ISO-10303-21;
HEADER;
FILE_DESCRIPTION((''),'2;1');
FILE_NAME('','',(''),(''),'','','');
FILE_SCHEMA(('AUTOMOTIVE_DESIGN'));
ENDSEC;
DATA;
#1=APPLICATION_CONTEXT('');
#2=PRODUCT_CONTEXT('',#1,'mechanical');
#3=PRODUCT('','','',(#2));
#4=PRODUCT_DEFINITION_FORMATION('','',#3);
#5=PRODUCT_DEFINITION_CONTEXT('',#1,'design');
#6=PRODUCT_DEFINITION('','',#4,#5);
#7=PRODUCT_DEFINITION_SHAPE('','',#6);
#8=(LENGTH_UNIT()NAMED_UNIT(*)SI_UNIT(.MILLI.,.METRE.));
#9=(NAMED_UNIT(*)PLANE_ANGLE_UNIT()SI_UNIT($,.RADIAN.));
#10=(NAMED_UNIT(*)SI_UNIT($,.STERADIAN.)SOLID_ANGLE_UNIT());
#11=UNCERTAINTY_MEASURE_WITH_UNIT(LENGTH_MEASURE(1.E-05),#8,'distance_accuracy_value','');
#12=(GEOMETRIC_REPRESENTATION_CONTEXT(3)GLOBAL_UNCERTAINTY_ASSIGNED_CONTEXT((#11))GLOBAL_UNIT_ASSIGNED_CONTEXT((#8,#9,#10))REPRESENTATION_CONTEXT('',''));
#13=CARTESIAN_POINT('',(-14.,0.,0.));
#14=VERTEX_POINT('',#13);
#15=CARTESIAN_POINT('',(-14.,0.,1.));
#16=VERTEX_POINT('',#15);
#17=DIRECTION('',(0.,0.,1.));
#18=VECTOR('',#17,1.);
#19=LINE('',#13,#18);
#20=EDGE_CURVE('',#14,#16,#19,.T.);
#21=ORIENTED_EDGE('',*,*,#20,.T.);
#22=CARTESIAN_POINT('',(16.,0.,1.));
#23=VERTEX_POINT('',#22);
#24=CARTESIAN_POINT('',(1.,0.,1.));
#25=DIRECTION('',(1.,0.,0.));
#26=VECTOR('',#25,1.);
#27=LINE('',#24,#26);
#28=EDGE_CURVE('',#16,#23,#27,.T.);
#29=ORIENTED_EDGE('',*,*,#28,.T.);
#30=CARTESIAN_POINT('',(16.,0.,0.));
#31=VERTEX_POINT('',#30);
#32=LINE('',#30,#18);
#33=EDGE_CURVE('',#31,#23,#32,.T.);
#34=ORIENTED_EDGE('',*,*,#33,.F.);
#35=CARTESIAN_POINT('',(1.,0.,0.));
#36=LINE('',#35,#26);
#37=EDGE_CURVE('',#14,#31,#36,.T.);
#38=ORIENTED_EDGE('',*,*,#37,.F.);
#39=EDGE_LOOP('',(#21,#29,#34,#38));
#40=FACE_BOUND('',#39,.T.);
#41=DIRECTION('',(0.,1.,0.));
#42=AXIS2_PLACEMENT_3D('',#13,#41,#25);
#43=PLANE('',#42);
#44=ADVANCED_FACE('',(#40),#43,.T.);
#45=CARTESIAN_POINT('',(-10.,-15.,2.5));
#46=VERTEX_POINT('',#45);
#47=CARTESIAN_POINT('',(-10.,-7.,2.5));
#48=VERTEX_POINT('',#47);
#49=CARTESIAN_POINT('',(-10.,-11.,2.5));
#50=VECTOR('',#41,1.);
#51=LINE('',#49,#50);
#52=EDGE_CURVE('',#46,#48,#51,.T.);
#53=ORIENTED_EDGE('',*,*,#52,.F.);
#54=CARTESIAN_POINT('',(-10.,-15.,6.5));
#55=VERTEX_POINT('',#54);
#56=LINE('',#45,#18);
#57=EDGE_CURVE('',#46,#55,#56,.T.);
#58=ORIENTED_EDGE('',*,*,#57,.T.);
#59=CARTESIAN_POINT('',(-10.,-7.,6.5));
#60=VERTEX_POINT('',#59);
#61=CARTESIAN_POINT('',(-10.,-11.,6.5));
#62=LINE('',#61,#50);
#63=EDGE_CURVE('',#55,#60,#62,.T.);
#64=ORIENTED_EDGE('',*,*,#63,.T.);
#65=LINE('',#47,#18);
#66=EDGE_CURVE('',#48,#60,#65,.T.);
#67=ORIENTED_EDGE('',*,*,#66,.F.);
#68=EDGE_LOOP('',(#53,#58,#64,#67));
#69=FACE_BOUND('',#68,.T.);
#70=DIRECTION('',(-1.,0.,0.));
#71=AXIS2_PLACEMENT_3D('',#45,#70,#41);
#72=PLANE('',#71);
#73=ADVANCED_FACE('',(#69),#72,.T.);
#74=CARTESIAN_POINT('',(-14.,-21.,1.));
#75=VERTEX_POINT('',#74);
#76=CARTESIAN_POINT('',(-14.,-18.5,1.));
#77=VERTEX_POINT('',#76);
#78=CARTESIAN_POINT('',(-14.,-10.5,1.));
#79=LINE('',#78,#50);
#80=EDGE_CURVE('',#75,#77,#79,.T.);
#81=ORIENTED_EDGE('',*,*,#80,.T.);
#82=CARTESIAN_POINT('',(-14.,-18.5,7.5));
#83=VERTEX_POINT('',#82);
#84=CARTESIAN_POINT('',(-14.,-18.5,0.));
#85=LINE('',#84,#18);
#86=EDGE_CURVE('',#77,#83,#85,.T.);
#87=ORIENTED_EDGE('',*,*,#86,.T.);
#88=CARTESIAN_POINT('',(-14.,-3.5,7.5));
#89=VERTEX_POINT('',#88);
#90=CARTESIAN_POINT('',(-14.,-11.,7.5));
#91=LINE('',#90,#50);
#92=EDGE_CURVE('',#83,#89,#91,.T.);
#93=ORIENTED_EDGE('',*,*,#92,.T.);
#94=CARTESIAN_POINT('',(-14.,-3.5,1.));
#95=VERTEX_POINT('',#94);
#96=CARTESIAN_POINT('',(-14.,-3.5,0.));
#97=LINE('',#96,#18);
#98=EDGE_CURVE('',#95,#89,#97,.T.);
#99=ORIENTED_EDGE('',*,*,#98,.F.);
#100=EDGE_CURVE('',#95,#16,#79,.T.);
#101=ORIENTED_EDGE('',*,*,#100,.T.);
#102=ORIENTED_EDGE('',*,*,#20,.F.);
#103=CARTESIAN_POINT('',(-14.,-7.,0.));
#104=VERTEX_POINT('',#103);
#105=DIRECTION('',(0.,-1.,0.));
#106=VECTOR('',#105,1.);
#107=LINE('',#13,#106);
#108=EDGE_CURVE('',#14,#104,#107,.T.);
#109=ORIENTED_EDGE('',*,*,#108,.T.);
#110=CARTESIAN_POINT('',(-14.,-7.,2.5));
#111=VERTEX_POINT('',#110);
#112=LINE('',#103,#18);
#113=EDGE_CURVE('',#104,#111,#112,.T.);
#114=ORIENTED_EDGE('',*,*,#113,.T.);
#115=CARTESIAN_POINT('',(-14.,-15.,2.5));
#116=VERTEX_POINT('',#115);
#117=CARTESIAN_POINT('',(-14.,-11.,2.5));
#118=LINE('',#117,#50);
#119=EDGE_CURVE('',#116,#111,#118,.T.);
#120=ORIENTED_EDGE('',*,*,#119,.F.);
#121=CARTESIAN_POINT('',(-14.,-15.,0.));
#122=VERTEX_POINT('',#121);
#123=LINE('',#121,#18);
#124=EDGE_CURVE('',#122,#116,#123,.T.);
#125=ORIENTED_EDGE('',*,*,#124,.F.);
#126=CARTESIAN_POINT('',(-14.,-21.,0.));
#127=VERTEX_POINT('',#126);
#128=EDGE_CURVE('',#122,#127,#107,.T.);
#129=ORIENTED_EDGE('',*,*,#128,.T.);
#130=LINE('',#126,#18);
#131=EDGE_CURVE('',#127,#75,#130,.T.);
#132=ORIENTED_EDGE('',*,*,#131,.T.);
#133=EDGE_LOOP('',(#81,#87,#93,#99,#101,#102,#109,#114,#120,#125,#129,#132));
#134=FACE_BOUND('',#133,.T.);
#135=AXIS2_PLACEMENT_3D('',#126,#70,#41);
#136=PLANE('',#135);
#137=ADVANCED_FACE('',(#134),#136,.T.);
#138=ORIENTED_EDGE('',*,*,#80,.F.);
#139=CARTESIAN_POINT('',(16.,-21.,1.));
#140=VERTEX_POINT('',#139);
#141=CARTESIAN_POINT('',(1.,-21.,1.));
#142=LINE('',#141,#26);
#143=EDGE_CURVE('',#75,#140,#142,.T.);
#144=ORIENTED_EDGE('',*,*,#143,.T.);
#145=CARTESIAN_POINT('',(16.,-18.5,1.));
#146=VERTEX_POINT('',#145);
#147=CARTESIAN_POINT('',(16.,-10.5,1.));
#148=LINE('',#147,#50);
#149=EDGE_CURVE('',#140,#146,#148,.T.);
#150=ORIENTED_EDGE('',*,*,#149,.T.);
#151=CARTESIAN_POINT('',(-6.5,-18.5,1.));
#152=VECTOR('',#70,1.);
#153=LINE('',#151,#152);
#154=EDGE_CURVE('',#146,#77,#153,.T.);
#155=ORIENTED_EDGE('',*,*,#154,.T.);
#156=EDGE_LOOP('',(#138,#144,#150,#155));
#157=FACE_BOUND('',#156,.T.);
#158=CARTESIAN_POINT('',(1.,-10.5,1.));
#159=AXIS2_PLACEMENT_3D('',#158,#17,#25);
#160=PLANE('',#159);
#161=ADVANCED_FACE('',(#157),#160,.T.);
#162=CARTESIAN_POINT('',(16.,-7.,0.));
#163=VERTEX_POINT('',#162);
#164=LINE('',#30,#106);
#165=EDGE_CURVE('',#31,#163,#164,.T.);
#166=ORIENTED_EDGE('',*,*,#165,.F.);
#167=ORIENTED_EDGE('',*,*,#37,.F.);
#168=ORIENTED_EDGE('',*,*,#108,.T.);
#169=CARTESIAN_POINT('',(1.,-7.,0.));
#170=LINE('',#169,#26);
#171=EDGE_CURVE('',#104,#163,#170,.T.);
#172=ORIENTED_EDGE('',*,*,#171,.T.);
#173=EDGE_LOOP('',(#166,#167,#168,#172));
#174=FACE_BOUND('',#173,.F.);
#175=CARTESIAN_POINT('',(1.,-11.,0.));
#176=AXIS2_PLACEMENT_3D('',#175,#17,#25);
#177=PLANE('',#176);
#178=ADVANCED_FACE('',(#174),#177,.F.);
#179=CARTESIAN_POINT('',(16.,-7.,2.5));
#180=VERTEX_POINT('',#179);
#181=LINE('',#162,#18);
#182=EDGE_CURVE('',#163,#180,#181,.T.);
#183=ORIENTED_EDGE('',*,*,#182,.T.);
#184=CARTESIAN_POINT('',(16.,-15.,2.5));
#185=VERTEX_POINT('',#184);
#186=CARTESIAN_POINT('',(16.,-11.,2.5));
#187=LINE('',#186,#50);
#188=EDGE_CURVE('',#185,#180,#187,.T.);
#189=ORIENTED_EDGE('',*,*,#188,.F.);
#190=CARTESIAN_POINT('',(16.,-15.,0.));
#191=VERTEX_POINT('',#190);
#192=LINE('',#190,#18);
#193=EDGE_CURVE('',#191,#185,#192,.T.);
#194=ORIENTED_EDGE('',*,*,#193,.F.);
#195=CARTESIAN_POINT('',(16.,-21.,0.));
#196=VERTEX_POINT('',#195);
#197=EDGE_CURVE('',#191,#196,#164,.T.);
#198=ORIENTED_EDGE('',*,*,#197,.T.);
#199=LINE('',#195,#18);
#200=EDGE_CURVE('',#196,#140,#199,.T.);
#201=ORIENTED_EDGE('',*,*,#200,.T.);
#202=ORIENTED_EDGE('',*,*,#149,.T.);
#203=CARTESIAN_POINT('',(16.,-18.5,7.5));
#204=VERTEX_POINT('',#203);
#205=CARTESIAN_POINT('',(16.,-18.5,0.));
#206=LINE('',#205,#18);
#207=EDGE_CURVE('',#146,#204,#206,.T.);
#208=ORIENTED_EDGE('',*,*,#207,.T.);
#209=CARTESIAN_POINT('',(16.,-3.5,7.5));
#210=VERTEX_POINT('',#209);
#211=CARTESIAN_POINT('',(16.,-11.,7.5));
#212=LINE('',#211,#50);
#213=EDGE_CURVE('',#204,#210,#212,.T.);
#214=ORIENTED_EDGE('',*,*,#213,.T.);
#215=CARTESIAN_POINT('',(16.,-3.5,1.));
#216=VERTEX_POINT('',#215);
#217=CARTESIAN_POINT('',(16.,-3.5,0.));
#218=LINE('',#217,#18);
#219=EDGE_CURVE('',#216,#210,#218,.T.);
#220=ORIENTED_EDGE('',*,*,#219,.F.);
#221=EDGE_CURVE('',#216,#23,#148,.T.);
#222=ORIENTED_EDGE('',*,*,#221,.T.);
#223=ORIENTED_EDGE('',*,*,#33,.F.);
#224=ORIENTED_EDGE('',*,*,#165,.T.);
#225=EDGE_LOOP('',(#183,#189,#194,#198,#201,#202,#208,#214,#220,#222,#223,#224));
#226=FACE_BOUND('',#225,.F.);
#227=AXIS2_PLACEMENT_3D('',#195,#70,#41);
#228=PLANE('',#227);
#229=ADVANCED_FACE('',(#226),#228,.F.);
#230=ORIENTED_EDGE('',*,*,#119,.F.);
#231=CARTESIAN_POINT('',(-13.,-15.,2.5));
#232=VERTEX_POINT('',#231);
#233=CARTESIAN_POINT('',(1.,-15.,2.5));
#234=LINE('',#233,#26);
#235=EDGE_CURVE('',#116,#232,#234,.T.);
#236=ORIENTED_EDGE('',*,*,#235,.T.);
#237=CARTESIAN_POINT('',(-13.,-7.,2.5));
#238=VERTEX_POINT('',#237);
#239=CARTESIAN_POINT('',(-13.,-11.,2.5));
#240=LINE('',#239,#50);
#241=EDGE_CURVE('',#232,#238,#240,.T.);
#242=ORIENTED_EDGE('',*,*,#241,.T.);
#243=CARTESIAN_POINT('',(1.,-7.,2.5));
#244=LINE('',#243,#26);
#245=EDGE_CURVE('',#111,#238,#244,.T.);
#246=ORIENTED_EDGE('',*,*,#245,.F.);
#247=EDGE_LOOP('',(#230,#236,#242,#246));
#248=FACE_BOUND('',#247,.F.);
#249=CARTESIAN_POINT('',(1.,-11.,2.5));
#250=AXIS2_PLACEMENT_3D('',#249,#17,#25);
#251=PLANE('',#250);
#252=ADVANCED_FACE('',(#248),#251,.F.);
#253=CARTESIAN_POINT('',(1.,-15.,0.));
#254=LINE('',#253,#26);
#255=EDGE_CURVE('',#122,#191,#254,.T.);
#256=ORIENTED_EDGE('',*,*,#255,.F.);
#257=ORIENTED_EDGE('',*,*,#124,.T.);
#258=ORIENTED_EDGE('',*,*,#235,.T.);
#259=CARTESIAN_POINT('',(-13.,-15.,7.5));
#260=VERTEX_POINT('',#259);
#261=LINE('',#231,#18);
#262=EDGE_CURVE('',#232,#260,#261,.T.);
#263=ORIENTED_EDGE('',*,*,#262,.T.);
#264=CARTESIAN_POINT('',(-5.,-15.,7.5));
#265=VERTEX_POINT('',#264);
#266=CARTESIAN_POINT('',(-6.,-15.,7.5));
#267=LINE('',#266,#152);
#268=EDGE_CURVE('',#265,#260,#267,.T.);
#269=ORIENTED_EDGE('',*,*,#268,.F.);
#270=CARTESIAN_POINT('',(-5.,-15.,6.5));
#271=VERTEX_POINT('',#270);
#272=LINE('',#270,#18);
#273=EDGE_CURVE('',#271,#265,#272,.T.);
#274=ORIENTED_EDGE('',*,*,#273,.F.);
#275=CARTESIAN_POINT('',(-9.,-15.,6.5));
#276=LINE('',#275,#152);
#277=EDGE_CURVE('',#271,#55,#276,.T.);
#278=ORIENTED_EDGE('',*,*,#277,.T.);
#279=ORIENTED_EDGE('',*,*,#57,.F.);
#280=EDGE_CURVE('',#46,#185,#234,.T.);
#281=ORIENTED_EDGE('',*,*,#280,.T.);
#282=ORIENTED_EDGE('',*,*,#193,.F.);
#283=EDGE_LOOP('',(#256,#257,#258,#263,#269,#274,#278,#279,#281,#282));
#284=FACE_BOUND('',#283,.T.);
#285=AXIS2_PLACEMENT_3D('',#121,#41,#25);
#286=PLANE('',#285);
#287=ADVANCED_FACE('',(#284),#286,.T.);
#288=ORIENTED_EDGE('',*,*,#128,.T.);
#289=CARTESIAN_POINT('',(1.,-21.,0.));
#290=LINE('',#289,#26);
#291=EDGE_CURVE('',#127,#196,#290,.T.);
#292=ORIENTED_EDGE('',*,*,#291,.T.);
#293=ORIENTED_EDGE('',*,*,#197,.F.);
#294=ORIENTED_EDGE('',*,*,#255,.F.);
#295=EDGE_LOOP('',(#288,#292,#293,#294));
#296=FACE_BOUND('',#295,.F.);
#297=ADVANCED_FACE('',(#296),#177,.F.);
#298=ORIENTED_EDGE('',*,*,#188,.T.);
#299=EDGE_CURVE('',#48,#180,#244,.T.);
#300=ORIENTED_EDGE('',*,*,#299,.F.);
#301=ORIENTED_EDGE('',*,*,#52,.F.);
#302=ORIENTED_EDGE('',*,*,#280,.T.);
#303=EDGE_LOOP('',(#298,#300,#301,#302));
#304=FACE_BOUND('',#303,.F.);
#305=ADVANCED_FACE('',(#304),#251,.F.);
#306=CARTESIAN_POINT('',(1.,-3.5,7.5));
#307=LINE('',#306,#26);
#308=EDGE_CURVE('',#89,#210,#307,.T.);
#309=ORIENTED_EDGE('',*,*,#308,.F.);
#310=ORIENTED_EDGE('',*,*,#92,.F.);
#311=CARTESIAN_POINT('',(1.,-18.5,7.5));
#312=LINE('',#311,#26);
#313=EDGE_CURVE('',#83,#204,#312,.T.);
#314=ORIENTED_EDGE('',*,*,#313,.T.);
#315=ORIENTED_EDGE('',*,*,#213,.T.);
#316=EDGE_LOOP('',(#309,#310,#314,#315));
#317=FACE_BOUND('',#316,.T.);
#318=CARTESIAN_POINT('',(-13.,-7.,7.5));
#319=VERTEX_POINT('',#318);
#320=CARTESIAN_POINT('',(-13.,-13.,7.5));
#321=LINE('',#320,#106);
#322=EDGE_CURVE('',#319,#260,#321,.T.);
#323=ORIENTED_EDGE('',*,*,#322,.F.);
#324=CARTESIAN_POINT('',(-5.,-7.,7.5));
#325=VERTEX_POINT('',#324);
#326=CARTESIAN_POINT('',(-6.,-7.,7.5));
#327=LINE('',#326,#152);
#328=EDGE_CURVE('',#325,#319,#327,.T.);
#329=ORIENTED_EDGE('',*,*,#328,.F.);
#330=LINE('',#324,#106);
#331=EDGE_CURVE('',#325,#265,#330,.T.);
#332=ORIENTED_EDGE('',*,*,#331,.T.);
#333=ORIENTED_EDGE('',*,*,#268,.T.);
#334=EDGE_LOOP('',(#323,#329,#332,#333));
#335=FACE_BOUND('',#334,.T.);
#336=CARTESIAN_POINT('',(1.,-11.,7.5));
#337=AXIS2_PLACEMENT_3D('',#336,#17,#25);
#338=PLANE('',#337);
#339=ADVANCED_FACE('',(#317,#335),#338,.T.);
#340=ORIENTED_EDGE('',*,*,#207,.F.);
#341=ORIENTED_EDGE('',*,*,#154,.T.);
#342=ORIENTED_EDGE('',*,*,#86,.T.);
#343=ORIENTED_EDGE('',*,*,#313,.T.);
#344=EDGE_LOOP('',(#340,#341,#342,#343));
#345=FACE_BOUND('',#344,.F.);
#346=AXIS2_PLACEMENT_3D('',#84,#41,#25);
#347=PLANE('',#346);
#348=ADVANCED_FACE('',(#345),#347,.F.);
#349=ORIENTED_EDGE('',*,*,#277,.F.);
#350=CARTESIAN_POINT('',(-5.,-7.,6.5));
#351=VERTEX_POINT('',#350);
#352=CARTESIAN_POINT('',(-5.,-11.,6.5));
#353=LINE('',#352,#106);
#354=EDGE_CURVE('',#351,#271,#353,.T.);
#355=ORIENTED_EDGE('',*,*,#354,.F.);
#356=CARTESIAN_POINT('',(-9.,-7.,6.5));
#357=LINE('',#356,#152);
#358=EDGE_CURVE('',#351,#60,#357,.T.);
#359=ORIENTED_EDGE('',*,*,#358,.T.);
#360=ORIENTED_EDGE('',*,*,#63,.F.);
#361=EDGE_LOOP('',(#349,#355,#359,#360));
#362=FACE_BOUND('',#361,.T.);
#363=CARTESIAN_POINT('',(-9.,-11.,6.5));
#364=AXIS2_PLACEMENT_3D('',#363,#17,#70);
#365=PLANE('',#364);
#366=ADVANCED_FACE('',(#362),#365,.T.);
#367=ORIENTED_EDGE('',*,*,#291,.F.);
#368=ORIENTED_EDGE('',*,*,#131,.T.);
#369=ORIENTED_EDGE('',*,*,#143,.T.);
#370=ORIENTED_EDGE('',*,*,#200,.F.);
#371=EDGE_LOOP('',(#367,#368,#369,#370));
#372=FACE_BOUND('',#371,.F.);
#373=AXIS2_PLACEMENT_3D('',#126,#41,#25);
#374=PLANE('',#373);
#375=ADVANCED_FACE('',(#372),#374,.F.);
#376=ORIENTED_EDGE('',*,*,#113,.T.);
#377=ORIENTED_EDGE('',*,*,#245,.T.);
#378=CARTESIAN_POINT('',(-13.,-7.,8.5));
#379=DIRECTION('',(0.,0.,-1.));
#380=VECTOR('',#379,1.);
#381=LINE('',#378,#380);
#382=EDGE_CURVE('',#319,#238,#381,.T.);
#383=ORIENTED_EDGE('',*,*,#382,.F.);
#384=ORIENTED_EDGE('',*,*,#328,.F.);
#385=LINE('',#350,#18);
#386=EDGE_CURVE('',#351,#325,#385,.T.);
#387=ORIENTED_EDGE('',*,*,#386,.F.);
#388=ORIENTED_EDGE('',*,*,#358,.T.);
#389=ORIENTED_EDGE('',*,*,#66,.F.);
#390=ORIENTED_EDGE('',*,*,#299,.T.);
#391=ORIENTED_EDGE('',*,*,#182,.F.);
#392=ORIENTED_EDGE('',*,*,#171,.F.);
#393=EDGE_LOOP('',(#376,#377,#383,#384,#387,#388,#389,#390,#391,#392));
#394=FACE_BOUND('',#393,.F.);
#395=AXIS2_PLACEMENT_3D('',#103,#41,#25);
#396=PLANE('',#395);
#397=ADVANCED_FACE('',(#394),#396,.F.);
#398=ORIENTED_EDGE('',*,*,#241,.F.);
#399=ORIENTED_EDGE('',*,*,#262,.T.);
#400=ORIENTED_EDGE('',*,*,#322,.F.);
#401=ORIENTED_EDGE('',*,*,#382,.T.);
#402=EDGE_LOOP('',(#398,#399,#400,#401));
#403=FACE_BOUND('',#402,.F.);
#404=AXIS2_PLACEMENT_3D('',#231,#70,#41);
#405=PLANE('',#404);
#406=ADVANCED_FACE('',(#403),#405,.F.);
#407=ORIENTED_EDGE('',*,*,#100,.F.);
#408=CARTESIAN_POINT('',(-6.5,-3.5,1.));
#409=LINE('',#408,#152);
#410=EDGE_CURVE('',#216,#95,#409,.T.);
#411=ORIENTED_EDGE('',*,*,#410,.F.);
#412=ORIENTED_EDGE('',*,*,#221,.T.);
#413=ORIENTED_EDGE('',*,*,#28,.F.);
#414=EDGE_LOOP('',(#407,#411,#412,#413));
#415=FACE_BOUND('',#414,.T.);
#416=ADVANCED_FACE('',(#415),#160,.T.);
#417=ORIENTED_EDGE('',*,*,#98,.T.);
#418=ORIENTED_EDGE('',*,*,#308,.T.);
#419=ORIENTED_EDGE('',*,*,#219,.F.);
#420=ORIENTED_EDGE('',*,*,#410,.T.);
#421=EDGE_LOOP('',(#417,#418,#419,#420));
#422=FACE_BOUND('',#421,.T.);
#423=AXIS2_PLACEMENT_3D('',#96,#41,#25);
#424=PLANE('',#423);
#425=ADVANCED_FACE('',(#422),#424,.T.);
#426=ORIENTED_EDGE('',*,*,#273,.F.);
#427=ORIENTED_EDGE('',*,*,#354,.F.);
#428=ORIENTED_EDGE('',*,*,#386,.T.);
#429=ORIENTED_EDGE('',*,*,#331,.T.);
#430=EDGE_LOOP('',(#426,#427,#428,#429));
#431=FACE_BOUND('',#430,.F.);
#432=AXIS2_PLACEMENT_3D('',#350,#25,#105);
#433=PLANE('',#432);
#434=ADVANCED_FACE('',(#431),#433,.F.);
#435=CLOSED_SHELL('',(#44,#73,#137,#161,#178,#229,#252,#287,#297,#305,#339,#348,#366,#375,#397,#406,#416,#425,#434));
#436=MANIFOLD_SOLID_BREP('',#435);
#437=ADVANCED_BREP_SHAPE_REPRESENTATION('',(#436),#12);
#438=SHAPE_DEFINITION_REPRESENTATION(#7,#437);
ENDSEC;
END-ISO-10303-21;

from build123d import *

# Parameters (mm, degrees)
BOX038_W                   = 3
BOX038_H                   = 8
BOX038_DEPTH               = 4
BOX037_W                   = 8
BOX037_H                   = 8
BOX037_DEPTH               = 2
CHAMFER001_SIZE            = 1
CHAMFER001_PLACEMENT_ANGLE = 180
BOX004_W                   = 30
BOX004_H                   = 8
BOX004_DEPTH               = 2.5
BOX003_W                   = 30
BOX003_H                   = 15
BOX003_DEPTH               = 7.5
BOX002_W                   = 30
BOX002_H                   = 21
BOX002_DEPTH               = 1


with BuildPart() as cubo038:
    # Box038 → Box038 (new body)
    with BuildSketch(Plane(origin=(-13, -15, 2.5), x_dir=(1, 0, 0), z_dir=(0, 0, 1))):
        with Locations((1.5, 4)):
            Rectangle(BOX038_W, BOX038_H)
    extrude(amount=BOX038_DEPTH)


with BuildPart() as fusion002023:
    # Box037 → Box037 (new body)
    with BuildSketch(Plane(origin=(-13, -15, 6), x_dir=(1, 0, 0), z_dir=(0, 0, 1))):
        with Locations((4, 4)):
            Rectangle(BOX037_W, BOX037_H)
    extrude(amount=BOX037_DEPTH)

    # Chamfer001
    chamfer001_edges = [fusion002023.edges().sort_by_distance(p)[0] for p in [
        (-13, -11, 8),
    ]]
    chamfer(chamfer001_edges, length=CHAMFER001_SIZE)


with BuildPart() as fusion002023_1:
    # Chamfer001 placement: moved
    add(fusion002023.part.moved(Location((-18, -22, 0.5))).rotate(Axis((-18, -22, 0.5), (0, 0, 1)), CHAMFER001_PLACEMENT_ANGLE))

    # Fusion002023: union Cubo038
    add(cubo038.part)


with BuildPart() as cubo004:
    # Box004 → Box004 (new body)
    with BuildSketch(Plane(origin=(-14, -15, 0), x_dir=(1, 0, 0), z_dir=(0, 0, 1))):
        with Locations((15, 4)):
            Rectangle(BOX004_W, BOX004_H)
    extrude(amount=BOX004_DEPTH)


with BuildPart() as cubo003:
    # Box003 → Box003 (new body)
    with BuildSketch(Plane(origin=(-14, -18.5, 0), x_dir=(1, 0, 0), z_dir=(0, 0, 1))):
        with Locations((15, 7.5)):
            Rectangle(BOX003_W, BOX003_H)
    extrude(amount=BOX003_DEPTH)


with BuildPart() as cut059:
    # Box002 → Box002 (new body)
    with BuildSketch(Plane(origin=(-14, -21, 0), x_dir=(1, 0, 0), z_dir=(0, 0, 1))):
        with Locations((15, 10.5)):
            Rectangle(BOX002_W, BOX002_H)
    extrude(amount=BOX002_DEPTH)

    # Fusion001: union Cubo003
    add(cubo003.part)

    # Cut006: cut Cubo004
    add(cubo004.part, mode=Mode.SUBTRACT)

    # Cut059: cut Fusion002023
    add(fusion002023_1.part, mode=Mode.SUBTRACT)


solid = cut059.part
